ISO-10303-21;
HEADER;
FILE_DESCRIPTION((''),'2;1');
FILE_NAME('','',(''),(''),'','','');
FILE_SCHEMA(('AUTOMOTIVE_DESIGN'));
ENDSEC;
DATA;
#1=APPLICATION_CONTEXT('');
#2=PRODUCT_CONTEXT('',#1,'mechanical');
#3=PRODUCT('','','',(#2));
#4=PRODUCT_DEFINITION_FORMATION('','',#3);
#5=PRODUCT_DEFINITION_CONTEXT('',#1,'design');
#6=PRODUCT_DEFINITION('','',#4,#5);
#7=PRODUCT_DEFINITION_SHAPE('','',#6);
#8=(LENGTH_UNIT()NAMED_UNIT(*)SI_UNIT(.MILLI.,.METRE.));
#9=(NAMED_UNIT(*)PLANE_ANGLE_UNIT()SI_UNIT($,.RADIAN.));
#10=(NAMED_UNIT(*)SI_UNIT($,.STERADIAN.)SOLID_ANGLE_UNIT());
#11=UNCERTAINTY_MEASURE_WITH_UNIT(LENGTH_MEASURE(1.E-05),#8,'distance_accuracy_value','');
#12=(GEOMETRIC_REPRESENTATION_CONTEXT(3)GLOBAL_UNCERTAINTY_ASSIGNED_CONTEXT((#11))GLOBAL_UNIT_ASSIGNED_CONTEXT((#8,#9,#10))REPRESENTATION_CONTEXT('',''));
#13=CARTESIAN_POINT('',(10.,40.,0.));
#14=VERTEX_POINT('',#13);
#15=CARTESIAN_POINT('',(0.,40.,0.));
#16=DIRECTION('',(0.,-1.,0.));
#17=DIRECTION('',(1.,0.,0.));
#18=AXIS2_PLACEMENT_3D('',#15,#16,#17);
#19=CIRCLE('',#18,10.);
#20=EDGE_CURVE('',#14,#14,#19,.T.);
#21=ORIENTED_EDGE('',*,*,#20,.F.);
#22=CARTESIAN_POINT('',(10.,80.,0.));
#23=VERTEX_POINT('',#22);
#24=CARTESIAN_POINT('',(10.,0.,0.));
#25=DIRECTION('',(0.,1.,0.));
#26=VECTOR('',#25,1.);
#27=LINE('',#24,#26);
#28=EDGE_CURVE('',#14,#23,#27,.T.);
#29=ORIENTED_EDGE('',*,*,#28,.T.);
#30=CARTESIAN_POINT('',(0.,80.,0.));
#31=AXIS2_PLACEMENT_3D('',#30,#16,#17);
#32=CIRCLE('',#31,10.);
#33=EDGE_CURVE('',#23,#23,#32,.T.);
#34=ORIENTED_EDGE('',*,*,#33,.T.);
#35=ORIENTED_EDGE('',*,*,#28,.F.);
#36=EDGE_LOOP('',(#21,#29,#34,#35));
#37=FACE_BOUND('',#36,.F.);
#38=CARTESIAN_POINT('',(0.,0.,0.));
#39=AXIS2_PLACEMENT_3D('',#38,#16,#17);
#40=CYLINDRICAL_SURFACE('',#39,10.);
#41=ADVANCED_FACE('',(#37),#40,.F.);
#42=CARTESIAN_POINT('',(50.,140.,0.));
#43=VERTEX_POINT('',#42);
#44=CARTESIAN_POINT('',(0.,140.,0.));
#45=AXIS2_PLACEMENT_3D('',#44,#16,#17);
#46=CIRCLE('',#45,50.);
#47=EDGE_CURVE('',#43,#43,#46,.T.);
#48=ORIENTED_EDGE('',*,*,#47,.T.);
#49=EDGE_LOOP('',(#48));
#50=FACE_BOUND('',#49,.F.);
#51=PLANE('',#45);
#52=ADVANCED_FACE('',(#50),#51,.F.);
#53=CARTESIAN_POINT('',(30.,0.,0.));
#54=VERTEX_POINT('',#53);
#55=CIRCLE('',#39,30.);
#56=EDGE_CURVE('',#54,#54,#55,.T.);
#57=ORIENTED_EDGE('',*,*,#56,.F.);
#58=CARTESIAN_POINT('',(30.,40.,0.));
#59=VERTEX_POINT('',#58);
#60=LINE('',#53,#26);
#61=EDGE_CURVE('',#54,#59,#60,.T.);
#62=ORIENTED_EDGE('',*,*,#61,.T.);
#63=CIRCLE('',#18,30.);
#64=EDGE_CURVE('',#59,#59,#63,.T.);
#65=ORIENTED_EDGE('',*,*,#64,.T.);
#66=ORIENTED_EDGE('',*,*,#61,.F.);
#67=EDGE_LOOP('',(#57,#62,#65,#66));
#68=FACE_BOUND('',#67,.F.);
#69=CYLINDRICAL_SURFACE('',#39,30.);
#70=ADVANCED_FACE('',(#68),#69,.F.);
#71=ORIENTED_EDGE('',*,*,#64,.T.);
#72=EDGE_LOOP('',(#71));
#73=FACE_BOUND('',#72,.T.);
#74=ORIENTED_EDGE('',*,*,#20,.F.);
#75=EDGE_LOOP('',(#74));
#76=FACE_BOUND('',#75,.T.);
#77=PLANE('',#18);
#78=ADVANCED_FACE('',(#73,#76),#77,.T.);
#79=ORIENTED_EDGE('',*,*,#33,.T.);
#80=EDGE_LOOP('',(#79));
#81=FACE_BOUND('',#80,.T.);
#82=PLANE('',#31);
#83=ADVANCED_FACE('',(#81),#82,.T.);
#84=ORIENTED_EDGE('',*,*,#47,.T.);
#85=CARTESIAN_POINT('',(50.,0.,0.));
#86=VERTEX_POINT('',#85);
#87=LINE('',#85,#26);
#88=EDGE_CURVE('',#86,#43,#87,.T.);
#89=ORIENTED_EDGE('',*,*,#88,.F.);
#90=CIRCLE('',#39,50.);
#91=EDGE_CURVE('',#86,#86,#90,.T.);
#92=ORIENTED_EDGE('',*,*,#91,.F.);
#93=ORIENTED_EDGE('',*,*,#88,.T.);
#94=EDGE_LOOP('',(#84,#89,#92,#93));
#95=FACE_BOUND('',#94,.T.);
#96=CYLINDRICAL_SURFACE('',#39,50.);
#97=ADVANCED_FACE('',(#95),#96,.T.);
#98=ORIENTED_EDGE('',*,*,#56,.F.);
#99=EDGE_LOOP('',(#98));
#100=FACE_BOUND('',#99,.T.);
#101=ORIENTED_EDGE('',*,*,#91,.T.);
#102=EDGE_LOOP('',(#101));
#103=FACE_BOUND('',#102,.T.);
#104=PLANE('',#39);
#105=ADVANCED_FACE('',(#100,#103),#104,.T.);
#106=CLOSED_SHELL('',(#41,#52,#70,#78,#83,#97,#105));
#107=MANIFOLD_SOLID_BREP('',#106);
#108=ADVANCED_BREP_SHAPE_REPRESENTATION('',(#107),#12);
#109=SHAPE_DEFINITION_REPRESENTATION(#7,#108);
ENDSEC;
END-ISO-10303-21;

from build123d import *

# Parameters (mm, degrees)
F0_R     = 50
F1_DEPTH = 140
F2_R     = 30
F3_DEPTH = 40
F4_R     = 10
F5_DEPTH = 80


with BuildPart() as f1:
    # F0 (on Front) → F1 (new body)
    with BuildSketch(Plane.XZ):
        Circle(F0_R)
    extrude(amount=-F1_DEPTH)

    # F2 (on face) → F3 (cut)
    with BuildSketch(Plane.XZ):
        Circle(F2_R)
    extrude(amount=-F3_DEPTH, mode=Mode.SUBTRACT)

    # F4 (on face) → F5 (cut)
    with BuildSketch(Plane.XZ):
        Circle(F4_R)
    extrude(amount=-F5_DEPTH, mode=Mode.SUBTRACT)


solid = f1.part
